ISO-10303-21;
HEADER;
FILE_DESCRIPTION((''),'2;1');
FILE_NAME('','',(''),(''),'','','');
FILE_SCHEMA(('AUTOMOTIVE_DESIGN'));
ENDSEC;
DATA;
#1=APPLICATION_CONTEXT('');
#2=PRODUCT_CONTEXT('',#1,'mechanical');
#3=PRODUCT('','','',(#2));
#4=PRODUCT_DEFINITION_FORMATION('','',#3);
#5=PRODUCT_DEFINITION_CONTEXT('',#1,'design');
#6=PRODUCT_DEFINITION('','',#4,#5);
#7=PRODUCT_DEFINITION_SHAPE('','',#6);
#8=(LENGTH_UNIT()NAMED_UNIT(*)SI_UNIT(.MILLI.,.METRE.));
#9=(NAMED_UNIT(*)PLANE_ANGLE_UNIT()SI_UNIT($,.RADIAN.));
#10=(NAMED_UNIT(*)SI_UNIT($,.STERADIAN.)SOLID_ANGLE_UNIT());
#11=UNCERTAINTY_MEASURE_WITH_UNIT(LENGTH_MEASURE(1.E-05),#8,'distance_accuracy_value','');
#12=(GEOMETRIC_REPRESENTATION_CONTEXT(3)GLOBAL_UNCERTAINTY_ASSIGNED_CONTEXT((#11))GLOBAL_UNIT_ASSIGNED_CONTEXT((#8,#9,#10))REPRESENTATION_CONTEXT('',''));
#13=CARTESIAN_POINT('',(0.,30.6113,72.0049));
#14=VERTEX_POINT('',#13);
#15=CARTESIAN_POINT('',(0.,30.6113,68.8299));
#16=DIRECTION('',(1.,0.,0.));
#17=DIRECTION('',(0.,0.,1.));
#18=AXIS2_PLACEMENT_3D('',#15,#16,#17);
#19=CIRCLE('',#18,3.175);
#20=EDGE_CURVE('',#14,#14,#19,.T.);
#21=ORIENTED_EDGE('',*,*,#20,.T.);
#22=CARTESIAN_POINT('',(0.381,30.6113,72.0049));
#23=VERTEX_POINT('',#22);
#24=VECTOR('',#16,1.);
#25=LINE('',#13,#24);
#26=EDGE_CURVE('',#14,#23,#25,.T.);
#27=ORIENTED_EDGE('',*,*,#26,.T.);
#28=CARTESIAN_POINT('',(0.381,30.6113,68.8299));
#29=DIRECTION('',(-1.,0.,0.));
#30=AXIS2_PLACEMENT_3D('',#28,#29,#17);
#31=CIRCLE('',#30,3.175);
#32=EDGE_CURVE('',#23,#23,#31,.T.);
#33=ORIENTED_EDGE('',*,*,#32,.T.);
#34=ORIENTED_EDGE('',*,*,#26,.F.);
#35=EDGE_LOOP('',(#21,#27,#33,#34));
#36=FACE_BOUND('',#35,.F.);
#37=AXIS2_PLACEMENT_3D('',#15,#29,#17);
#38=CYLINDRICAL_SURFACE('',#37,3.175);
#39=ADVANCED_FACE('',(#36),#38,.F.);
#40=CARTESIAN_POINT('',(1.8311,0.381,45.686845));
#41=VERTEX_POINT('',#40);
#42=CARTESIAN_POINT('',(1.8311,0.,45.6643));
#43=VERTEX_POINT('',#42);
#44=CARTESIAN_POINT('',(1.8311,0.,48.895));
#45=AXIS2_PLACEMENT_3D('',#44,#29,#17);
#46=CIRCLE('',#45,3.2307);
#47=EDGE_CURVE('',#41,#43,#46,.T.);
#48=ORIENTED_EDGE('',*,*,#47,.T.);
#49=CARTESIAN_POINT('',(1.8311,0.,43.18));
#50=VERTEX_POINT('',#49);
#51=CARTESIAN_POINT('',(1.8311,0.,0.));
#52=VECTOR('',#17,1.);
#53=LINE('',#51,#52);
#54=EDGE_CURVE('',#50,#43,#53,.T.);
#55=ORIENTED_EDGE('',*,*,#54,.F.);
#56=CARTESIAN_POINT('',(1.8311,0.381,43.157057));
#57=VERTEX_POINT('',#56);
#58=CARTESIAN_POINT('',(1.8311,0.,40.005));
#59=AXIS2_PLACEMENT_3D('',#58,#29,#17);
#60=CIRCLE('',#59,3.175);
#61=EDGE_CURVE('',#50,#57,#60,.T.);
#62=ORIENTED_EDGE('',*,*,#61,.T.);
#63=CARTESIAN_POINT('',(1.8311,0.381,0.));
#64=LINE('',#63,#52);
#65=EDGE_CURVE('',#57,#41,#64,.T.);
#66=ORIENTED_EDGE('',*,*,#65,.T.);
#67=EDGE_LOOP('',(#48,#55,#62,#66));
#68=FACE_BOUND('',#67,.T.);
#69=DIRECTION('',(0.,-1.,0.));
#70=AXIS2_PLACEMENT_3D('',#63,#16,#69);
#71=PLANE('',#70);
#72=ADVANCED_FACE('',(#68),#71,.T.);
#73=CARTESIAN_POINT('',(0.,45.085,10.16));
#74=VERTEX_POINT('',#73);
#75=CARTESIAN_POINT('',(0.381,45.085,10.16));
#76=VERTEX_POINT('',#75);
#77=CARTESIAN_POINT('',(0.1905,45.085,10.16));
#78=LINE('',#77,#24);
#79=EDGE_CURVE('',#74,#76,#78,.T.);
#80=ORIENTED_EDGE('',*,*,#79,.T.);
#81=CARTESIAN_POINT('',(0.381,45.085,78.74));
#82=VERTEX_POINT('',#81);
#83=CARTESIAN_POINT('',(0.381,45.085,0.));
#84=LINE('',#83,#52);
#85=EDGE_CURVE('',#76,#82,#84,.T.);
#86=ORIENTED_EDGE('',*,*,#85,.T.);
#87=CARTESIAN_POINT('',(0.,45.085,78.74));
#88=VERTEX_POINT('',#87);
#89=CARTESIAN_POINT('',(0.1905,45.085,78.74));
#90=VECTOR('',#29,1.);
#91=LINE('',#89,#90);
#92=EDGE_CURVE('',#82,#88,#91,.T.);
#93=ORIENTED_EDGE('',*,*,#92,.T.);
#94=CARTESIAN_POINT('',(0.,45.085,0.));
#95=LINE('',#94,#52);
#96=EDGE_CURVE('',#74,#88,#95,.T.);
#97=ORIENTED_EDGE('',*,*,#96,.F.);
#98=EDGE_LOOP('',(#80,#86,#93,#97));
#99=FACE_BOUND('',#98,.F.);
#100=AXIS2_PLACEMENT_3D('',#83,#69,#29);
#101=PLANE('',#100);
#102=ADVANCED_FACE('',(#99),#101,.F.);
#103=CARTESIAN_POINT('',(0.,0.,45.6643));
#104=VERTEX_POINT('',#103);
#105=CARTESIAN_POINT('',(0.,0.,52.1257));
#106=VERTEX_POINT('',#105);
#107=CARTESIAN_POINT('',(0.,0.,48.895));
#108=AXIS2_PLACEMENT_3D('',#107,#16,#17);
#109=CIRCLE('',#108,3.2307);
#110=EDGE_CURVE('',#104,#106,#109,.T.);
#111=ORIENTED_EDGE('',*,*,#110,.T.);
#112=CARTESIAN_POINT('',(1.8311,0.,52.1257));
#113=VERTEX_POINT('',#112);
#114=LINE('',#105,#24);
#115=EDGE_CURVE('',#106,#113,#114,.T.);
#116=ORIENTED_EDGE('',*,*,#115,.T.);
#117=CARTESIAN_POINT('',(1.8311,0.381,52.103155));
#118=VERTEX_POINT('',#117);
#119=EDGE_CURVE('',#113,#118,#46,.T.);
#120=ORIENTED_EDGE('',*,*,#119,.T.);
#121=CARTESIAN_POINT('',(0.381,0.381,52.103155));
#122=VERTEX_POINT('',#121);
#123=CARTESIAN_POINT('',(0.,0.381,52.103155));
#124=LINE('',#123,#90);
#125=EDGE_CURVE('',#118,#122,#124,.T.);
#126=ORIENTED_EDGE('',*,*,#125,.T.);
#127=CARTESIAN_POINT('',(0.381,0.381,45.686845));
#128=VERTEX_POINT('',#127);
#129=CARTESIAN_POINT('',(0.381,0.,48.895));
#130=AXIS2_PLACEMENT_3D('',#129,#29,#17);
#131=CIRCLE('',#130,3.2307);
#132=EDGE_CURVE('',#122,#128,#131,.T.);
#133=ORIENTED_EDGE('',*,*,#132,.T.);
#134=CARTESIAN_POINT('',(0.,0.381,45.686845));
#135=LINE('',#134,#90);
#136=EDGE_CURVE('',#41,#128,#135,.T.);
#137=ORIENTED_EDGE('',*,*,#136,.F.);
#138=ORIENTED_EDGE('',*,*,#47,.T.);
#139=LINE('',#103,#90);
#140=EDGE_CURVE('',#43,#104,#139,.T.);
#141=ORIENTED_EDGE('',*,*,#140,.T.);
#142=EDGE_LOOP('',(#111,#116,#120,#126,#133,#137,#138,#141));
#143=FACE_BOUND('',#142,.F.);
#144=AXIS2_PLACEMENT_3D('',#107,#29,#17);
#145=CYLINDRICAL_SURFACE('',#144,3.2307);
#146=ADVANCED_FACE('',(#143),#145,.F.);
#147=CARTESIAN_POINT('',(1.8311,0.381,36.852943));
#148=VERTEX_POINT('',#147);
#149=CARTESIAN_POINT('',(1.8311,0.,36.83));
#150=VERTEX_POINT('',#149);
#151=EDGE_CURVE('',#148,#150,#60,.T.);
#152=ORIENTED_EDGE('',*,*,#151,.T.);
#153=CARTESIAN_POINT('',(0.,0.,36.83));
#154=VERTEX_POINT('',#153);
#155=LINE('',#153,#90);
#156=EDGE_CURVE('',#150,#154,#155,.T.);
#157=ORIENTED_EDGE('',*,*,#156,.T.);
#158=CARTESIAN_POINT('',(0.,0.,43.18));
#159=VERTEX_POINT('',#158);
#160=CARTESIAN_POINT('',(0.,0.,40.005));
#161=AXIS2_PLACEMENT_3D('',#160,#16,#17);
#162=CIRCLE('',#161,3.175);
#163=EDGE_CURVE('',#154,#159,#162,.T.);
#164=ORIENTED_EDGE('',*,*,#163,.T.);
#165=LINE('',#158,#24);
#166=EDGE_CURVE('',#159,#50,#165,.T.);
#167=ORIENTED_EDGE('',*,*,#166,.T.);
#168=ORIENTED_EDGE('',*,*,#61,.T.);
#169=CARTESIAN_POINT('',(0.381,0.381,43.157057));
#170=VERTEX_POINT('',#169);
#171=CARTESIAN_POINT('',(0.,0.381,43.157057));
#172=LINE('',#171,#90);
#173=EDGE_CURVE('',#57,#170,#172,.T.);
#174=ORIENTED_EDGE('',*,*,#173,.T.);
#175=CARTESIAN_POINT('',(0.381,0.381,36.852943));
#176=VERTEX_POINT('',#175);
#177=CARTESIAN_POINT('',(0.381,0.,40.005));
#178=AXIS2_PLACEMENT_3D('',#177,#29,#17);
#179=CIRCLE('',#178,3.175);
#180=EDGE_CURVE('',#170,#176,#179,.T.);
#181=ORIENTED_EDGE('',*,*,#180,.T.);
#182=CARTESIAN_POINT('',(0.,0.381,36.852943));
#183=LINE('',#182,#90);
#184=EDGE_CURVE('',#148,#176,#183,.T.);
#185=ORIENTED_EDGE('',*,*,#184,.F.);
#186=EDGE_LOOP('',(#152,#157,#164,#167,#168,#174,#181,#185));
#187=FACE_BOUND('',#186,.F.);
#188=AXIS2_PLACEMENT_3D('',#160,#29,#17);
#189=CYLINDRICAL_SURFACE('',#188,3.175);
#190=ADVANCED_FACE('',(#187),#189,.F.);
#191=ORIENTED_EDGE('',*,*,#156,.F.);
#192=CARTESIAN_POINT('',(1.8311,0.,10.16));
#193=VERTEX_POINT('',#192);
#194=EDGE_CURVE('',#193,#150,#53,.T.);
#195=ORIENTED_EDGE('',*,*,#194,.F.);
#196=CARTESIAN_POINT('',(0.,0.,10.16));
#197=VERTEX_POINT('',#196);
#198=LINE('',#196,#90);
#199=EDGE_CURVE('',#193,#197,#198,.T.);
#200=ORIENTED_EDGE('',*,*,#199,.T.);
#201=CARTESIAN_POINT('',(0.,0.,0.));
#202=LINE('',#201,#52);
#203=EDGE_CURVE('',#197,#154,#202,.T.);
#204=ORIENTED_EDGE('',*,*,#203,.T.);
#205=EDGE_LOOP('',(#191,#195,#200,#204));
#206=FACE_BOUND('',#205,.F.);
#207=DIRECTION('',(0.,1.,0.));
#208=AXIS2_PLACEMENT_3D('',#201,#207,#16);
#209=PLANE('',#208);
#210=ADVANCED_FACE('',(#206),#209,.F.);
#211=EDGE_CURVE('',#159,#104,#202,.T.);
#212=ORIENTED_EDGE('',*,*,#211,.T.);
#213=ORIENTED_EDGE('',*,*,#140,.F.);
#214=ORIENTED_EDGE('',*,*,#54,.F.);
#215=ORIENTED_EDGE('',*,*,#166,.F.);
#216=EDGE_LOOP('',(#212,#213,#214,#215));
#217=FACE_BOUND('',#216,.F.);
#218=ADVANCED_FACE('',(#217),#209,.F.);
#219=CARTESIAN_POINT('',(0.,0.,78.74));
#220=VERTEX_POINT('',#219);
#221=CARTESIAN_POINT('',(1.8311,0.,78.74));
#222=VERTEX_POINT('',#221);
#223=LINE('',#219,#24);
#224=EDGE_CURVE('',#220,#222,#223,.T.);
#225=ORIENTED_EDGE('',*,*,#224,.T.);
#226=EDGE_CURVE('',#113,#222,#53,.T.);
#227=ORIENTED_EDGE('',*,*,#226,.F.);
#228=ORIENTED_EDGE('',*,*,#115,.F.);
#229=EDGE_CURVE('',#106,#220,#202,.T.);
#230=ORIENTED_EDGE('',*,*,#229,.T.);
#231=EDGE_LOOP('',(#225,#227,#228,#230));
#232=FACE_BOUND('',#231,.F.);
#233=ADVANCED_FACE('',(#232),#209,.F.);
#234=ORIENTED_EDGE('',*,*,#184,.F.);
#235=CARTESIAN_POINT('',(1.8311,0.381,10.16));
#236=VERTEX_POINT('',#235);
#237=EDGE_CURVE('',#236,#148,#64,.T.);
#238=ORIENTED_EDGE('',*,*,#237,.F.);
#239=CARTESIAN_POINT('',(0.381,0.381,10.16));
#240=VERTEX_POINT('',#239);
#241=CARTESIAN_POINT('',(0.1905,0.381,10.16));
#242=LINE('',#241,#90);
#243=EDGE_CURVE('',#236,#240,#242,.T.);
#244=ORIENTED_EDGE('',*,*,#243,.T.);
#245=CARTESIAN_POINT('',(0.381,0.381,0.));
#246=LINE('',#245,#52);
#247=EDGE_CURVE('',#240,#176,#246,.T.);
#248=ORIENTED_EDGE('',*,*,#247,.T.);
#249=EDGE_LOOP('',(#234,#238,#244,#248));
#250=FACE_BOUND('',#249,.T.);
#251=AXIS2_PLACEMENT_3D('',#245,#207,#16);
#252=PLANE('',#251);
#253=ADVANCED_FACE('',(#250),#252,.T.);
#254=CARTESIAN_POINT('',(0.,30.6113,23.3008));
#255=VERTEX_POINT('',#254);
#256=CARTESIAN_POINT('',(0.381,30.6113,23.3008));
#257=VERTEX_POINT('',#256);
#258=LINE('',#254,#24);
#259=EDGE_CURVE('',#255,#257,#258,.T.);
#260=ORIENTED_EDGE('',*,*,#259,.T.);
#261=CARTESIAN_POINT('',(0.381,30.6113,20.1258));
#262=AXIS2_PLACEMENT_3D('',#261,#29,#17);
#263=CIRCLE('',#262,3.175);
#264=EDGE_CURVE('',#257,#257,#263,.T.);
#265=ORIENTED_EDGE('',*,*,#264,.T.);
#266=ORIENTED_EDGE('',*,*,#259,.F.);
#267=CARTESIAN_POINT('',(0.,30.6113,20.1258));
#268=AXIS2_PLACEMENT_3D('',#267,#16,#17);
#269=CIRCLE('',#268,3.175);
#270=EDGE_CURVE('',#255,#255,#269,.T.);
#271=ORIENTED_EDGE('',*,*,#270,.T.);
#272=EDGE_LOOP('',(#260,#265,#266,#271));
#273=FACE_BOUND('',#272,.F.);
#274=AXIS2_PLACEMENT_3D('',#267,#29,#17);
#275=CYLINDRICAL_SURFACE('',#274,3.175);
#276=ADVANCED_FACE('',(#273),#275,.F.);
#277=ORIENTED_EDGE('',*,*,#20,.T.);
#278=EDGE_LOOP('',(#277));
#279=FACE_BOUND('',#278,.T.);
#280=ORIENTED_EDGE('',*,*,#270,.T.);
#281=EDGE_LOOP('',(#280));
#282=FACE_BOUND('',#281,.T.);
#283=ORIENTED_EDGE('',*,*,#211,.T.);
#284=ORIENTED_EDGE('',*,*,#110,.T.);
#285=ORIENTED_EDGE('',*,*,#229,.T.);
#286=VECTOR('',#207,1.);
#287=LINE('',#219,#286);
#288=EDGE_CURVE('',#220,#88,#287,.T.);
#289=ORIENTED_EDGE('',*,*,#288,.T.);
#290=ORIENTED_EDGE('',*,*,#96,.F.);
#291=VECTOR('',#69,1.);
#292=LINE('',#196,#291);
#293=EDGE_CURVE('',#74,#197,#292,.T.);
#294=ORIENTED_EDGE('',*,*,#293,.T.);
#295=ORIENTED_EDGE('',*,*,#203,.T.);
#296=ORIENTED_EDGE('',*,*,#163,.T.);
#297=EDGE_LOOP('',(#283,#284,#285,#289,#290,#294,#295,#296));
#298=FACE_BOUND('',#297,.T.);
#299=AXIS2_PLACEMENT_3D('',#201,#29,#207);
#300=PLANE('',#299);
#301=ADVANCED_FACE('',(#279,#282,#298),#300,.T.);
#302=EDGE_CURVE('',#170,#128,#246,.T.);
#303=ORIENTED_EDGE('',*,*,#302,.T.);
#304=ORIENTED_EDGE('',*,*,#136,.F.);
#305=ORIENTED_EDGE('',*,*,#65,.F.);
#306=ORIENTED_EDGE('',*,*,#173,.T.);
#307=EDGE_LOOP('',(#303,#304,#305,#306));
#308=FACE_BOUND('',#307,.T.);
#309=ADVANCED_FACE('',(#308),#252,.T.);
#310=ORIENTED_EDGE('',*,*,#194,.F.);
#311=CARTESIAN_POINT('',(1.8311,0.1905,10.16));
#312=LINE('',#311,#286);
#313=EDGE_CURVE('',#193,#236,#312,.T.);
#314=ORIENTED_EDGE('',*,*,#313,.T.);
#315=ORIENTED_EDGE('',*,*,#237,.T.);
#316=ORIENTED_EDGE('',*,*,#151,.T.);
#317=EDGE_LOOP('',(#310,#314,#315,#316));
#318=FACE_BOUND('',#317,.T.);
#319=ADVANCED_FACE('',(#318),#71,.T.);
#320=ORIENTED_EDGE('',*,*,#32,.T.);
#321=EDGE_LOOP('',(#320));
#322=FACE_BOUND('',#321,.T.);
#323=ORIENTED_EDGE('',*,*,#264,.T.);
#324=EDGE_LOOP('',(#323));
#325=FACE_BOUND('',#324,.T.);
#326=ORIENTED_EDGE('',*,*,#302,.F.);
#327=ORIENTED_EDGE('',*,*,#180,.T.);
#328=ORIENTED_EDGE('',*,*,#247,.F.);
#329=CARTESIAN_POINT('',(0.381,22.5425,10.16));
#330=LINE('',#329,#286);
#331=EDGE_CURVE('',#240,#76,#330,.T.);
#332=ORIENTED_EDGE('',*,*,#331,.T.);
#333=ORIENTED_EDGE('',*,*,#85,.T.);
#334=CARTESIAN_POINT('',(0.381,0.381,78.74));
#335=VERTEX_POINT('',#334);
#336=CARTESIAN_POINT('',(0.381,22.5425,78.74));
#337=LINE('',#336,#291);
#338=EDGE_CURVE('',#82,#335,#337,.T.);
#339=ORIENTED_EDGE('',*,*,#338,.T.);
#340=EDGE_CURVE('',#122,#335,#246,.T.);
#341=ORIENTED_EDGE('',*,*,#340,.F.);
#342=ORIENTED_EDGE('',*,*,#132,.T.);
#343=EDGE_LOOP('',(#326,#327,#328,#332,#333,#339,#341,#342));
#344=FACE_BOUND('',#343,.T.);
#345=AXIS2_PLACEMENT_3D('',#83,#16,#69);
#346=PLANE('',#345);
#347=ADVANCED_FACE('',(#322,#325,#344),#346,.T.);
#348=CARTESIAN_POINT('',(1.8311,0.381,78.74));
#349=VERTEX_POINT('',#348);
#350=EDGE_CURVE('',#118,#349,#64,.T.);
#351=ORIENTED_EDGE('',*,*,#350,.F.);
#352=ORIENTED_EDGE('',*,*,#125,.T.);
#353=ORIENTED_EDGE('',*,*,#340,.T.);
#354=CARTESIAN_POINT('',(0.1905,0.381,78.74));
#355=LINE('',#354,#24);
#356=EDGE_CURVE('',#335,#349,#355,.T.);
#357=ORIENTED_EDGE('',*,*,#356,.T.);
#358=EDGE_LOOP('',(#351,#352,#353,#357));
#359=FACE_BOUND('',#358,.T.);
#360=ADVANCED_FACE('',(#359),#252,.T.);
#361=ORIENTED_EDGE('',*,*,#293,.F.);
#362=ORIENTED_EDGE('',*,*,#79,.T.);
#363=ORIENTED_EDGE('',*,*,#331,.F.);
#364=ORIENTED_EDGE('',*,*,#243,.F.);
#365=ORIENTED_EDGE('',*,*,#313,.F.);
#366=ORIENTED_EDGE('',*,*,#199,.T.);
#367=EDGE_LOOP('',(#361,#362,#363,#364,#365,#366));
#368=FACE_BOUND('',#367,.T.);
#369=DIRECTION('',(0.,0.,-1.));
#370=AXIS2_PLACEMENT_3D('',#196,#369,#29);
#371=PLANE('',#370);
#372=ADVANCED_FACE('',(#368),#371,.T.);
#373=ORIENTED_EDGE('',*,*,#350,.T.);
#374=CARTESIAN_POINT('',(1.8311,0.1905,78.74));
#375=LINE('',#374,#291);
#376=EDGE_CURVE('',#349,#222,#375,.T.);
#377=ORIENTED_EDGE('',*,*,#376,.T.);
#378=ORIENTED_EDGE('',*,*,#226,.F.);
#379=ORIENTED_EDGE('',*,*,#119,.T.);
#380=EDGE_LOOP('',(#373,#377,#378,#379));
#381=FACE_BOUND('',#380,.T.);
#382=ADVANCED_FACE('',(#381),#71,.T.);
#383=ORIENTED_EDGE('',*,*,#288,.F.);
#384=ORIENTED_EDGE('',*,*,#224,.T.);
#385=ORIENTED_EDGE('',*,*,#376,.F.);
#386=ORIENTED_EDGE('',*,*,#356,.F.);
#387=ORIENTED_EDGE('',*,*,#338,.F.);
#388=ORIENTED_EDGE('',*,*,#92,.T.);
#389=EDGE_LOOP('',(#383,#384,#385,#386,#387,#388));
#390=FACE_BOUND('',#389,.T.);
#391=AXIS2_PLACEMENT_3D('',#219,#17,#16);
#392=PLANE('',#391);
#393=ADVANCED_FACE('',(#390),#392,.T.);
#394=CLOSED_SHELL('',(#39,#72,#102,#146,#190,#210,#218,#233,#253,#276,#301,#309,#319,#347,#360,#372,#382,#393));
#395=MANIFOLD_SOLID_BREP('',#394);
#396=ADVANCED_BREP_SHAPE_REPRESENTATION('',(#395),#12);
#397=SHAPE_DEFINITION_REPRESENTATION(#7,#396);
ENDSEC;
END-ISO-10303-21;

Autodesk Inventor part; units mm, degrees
ref_plane "YZ Plane" through (0, 0, 0) normal (1, 0, 0) x (0, 1, 0)
ref_plane "XZ Plane" through (0, 0, 0) normal (0, 1, 0) x (-1, 0, 0)
ref_plane "XY Plane" through (0, 0, 0) normal (0, 0, 1) x (1, 0, 0)
sketch "Sketch1" plane through (0, 0, 0) normal (0, 0, 1) x (1, 0, 0)
  line L0 (0, 0) -> (1.8311, 0)
  line L1 (0, 0) -> (0, 45.085)
  line L2 (0.381, 45.085) -> (0.381, 0.381)
  line L3 (0.381, 0.381) -> (1.8311, 0.381)
  line L4 (1.8311, 0.381) -> (1.8311, 0)
  line L5 (0.381, 45.085) -> (0, 45.085)
  dimension "d0" = 1.8311
  dimension "d1" = 45.085
  dimension "d2" = 0.381
extrude "Extrusion1" add sketch "Sketch1" along normal blind 88.9
fillet "Fillet1" radius 2.54 2 edges at (0.1905, 45.085, 88.9) (0.1905, 45.085, 0)
sketch "Sketch2" plane through (0, 0, 0) normal (-1, 0, 0) x (0, 0, 1)
  line L0 (0, 0) -> (88.9, 0) projected
  circle A0 centre (40.005, 0) radius 3.175
  circle A1 centre (48.895, 0) radius 3.2307
  dimension "d6" = 6.35
  dimension "d7" = 8.89
  dimension "d8" = 40.005
extrude "Extrusion2" cut sketch "Sketch2" against normal blind 88.9
sketch "Sketch3" plane through (0, 0, 0) normal (-1, 0, 0) x (0, 0, 1)
  circle A0 centre (20.1258, 30.6113) radius 3.175
  circle A1 centre (68.8299, 30.6113) radius 3.175
  line L0 (88.9, 42.545) -> (88.9, 0) projected
  line L1 (0, 42.545) -> (0, 0) projected
  line L2 (2.54, 45.085) -> (86.36, 45.085) projected
  line L3 (68.8299, 30.6113) -> (48.9507, 0)
  line L4 (48.9507, 0) -> (88.9, 0)
  line L5 (20.1258, 30.6113) -> (40.005, 0)
  line L6 (0, 0.381) -> (36.8529, 0.381) projected
  line L7 (40.005, 0) -> (0, 0)
  point P0 (52.1257, 0)
  point P1 (36.83, 0)
  dimension "d11" = 6.35
  dimension "d12" = 6.35
  dimension "d19" = 3.175
  dimension "d20" = 3.175
  dimension "d21" = 36.4998
  dimension "d22" = 45.085
  dimension "d23" = 45.085
  dimension "d24" = 36.4998
  dimension "d25" = 57
  dimension "d26" = 57
extrude "Extrusion3" cut sketch "Sketch3" against normal blind 88.9
sketch "Sketch4" plane through (0, 0, 88.9) normal (0, 0, 1) x (1, 0, 0)
  line L0 (-18.865, 53.0436) -> (15.9708, 53.0436)
  line L1 (15.9708, 53.0436) -> (15.9708, -6.5967)
  line L2 (15.9708, -6.5967) -> (-18.865, -6.5967)
  line L3 (-18.865, -6.5967) -> (-18.865, 53.0436)
  point P0 (0, 0)
extrude "Extrusion4" cut sketch "Sketch4" against normal blind 10.16
sketch "Sketch5" plane through (0, 0, 0) normal (0, 0, -1) x (-1, 0, 0)
  line L0 (-43.1556, 80.8845) -> (23.5088, 80.8845)
  line L1 (23.5088, 80.8845) -> (23.5088, -34.0438)
  line L2 (23.5088, -34.0438) -> (-43.1556, -34.0438)
  line L3 (-43.1556, -34.0438) -> (-43.1556, 80.8845)
  point P0 (0, 0)
extrude "Extrusion5" cut sketch "Sketch5" against normal blind 10.16
properties part number "Fin_short" material "Aluminum 6061"
